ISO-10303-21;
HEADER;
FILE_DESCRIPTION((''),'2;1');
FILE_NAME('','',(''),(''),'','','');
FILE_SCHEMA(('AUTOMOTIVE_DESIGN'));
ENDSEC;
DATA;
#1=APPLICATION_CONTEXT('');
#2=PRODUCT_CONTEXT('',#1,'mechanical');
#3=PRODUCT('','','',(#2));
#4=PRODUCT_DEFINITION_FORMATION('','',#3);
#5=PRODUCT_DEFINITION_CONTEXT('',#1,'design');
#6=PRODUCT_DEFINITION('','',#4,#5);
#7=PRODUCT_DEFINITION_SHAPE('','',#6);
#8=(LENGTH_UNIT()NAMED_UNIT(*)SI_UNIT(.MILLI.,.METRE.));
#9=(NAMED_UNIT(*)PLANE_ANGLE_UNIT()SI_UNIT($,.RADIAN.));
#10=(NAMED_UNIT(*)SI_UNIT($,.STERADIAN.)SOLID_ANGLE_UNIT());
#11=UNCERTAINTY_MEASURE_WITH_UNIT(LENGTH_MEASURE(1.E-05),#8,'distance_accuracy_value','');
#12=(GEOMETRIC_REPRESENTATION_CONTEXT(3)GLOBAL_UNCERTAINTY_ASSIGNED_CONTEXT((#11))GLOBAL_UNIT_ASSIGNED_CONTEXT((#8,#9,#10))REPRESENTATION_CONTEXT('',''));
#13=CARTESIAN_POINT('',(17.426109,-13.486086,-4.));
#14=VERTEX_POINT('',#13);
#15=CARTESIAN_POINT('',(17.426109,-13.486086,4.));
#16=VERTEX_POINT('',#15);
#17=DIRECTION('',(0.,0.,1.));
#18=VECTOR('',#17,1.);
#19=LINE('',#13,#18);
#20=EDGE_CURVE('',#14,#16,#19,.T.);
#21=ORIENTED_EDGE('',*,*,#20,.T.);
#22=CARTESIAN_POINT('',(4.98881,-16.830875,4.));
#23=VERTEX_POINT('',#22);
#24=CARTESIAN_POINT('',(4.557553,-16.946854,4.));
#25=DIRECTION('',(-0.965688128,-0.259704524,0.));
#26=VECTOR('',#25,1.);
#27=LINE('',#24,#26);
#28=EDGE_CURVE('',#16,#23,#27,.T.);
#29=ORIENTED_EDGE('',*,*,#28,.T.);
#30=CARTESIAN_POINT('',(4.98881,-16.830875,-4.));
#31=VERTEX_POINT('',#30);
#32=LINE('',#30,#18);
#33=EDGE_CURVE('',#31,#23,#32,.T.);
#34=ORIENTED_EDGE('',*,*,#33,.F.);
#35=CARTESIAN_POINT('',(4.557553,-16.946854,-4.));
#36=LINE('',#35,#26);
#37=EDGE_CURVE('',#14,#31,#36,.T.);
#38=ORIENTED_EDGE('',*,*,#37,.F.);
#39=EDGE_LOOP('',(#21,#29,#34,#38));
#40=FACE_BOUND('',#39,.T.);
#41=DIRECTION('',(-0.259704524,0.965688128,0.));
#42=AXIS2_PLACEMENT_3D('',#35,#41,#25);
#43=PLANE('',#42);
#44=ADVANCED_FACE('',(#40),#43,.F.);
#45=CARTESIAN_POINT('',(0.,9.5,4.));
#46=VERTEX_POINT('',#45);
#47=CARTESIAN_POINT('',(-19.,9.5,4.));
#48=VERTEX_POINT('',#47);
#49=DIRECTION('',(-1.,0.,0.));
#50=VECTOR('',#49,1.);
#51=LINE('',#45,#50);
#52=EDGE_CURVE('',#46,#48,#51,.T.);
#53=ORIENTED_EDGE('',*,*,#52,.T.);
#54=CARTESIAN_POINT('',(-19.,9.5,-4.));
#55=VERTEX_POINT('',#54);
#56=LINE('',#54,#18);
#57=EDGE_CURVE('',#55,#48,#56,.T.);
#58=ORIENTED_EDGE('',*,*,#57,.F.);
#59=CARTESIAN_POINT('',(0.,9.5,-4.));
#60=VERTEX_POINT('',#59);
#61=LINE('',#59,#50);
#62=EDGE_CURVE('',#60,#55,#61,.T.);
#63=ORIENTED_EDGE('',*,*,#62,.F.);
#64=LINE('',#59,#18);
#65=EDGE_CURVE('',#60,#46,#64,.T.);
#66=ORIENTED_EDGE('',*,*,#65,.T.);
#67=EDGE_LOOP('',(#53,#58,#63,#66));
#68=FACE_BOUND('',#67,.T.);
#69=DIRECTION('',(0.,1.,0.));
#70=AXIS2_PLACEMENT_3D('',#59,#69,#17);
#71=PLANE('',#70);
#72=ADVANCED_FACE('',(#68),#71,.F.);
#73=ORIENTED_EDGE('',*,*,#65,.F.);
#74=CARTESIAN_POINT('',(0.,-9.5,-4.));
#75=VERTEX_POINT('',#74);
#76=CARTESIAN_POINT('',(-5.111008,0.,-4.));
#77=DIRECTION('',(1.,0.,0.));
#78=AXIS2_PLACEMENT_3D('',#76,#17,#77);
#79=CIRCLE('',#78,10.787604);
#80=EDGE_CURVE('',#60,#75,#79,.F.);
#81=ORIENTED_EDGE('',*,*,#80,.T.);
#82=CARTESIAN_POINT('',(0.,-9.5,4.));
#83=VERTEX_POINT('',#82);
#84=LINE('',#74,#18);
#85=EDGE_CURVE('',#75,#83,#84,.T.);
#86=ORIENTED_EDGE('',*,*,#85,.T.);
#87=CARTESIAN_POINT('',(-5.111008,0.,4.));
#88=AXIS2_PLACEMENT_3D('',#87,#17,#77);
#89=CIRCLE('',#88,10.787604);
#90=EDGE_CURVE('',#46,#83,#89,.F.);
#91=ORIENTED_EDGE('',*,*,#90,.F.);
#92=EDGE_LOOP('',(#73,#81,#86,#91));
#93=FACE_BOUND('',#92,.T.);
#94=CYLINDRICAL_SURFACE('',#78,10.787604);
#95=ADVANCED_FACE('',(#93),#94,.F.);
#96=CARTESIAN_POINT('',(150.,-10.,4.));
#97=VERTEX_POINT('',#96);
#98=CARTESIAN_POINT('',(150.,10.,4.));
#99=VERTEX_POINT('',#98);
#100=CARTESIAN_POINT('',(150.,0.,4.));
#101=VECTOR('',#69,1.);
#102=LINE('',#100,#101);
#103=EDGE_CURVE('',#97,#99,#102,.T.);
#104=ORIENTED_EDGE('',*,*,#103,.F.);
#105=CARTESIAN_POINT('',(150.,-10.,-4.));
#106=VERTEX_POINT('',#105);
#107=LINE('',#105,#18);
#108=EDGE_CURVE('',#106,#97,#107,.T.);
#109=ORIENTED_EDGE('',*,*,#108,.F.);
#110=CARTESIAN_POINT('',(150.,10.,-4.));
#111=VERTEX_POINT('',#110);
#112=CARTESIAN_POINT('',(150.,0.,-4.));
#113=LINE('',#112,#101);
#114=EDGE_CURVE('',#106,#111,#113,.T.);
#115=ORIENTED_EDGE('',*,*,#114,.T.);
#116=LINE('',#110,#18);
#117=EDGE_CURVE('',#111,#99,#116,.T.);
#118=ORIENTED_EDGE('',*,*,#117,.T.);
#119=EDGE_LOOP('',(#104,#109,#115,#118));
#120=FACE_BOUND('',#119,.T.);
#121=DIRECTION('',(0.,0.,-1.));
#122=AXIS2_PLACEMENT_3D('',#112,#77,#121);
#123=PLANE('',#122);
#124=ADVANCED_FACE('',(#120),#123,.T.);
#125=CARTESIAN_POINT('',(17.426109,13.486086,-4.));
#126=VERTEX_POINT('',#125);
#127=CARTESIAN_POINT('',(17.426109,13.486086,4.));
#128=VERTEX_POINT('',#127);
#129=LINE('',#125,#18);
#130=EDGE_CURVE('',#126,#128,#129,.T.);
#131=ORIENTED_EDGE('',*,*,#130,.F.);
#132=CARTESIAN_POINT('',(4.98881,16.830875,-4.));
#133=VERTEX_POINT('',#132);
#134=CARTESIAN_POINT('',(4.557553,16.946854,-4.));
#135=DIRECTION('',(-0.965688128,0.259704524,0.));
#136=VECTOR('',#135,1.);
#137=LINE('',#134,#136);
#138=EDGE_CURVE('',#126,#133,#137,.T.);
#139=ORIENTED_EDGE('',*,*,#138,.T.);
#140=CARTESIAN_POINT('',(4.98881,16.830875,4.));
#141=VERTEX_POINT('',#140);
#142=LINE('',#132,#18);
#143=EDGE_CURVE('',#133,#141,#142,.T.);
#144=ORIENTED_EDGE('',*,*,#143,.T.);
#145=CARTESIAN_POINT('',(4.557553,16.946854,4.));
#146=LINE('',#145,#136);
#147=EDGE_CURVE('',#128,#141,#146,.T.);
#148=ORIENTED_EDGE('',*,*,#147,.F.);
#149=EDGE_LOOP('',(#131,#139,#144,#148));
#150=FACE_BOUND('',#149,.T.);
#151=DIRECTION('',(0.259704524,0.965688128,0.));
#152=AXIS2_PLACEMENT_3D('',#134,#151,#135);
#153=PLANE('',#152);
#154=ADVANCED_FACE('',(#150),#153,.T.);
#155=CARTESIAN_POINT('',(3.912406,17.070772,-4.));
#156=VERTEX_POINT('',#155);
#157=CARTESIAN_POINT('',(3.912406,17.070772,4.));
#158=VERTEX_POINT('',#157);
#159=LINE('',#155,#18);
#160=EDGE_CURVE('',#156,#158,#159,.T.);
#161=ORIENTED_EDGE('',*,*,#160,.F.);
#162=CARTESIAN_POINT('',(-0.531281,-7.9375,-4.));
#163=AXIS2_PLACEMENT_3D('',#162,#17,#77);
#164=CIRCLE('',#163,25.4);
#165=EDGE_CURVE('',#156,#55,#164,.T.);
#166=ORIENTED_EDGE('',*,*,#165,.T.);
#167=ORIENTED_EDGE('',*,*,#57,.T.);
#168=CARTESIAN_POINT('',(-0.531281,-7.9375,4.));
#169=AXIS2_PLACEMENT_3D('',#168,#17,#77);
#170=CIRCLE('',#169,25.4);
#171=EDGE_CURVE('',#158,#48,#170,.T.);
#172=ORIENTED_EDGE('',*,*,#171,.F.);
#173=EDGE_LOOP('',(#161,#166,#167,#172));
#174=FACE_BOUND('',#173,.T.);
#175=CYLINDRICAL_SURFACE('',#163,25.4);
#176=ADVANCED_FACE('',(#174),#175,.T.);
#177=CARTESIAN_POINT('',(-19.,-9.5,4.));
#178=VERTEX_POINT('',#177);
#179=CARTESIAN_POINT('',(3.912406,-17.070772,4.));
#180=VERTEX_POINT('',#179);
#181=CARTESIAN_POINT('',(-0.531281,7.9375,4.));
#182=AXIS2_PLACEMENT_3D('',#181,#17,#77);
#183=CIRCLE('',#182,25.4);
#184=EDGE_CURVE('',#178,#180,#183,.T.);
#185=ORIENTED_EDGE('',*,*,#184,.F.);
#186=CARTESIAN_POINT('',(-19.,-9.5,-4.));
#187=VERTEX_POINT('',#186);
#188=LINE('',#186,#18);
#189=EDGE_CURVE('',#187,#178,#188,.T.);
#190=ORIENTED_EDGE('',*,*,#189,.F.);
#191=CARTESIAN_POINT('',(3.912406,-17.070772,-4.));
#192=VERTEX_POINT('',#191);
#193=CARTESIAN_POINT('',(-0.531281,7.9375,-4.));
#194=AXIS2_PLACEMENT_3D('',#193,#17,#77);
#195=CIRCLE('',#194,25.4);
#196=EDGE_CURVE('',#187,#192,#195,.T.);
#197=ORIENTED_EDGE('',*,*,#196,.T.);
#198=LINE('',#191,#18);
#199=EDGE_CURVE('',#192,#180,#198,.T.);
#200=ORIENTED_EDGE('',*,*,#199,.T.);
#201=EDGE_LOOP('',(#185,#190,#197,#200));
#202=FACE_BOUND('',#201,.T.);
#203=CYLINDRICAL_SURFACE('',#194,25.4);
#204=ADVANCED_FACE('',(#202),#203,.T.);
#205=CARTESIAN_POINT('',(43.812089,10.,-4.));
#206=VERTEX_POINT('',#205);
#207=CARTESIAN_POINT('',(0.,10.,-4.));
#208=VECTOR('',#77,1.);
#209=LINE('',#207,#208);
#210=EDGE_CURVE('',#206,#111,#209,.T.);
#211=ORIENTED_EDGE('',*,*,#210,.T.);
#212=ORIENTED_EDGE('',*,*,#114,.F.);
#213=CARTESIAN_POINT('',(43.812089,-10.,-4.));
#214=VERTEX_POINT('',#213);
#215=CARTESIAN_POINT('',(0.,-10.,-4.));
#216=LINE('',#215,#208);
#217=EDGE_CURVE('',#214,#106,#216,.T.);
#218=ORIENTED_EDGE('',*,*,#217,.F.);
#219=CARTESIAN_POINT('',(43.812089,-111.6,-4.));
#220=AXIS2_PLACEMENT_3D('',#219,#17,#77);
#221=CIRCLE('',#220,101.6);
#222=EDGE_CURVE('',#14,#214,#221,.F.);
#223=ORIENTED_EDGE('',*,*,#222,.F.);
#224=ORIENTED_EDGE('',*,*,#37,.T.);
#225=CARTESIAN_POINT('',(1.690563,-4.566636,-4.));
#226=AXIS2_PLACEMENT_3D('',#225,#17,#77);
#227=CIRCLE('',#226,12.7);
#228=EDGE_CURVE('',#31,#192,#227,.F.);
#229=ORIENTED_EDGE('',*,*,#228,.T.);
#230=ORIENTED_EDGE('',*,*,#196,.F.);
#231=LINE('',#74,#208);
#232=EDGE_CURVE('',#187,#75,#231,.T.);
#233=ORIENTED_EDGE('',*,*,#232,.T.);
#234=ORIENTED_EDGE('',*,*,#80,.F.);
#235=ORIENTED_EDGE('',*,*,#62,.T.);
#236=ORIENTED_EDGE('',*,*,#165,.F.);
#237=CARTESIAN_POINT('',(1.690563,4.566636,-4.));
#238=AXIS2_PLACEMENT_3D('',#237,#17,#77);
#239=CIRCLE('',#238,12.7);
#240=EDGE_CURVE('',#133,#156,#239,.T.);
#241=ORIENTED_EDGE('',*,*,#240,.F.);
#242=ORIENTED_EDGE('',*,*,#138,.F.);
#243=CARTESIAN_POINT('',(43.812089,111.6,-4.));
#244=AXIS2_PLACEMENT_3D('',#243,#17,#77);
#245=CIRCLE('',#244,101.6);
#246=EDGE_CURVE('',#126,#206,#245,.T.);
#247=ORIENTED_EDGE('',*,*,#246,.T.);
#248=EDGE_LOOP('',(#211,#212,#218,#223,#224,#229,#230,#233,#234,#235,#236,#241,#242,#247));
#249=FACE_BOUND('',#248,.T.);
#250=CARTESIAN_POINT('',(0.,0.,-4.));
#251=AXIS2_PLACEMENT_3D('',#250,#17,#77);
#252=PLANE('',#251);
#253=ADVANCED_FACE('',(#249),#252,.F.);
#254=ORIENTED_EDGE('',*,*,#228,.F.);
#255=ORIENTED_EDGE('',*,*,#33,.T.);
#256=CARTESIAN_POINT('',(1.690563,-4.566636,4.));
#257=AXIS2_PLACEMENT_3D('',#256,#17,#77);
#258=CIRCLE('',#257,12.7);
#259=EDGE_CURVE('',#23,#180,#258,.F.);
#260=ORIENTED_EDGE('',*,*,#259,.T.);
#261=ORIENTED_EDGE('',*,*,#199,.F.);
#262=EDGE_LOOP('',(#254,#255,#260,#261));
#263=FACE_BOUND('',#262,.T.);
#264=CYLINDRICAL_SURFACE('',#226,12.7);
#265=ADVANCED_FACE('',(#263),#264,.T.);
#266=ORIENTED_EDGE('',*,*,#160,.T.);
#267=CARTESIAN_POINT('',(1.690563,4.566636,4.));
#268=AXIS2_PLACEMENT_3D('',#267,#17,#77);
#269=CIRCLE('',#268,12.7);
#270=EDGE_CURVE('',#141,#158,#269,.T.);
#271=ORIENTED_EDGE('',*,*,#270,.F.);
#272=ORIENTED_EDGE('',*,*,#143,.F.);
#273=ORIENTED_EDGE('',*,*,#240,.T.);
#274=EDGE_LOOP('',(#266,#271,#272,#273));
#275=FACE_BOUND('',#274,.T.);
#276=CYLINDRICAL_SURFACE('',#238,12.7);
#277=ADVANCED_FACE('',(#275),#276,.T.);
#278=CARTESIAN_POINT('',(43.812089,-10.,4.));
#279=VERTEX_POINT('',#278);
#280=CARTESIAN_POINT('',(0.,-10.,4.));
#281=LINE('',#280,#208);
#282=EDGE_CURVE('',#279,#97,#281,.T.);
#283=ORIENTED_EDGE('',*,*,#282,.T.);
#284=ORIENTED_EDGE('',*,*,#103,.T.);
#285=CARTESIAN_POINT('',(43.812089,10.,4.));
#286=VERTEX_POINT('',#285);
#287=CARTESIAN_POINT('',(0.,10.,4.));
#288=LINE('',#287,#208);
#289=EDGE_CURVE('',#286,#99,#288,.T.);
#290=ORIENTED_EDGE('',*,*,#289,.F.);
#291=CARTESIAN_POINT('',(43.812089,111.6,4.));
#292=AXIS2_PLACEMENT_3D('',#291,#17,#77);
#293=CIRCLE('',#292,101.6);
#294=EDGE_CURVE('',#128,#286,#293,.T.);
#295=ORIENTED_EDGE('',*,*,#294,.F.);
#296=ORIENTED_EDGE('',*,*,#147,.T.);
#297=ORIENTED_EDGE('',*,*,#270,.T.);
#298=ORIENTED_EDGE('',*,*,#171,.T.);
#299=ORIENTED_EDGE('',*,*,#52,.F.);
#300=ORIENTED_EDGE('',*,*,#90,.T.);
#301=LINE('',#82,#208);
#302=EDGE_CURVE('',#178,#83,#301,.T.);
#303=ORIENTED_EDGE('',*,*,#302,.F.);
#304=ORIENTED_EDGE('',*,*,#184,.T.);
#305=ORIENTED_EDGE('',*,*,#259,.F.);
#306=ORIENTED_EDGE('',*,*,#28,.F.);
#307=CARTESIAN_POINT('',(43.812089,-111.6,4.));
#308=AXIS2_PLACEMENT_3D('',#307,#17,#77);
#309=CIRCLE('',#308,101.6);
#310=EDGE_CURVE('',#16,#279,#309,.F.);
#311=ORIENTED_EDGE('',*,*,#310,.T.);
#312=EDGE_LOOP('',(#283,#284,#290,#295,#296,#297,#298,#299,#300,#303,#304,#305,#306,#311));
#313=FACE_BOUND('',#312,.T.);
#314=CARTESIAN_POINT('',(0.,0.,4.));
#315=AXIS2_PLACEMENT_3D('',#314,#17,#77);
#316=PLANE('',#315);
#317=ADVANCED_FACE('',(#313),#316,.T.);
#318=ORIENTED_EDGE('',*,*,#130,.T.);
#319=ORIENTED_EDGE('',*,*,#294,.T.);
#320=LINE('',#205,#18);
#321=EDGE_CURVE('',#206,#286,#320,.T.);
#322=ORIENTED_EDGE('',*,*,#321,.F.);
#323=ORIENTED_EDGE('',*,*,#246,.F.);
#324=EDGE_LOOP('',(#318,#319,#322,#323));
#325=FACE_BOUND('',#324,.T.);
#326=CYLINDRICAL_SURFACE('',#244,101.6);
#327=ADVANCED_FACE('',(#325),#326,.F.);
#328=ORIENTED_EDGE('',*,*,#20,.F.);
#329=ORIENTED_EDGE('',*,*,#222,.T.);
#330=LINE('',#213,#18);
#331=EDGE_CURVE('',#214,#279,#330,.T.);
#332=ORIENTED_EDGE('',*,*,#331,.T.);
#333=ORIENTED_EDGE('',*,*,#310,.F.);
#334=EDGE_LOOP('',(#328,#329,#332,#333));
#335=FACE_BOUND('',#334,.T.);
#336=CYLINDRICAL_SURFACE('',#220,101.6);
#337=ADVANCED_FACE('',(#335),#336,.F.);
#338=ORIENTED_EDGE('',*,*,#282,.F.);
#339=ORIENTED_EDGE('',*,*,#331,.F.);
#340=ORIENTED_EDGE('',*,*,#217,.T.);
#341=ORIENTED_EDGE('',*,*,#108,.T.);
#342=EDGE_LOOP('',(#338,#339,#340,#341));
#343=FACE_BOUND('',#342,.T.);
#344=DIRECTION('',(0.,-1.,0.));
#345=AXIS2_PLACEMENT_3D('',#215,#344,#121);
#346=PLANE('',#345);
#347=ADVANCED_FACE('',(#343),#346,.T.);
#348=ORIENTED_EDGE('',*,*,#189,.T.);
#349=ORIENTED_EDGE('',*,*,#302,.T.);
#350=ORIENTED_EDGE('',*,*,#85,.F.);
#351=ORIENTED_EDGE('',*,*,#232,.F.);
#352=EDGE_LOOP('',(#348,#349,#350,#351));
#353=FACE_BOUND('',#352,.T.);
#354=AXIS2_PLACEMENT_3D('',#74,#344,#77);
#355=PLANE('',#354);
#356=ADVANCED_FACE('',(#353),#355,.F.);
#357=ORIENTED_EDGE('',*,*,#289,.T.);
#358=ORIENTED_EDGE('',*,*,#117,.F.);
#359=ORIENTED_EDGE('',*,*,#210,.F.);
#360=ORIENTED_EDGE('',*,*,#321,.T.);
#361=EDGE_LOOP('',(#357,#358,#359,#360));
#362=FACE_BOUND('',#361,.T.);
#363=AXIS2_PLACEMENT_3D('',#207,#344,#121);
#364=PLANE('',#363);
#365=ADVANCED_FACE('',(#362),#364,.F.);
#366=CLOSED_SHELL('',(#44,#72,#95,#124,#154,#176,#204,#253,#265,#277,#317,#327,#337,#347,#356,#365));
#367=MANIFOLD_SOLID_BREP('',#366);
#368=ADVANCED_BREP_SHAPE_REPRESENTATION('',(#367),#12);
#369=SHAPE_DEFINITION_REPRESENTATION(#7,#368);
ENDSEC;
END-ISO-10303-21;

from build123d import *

# Parameters (mm, degrees)
BOSS_EXTRUDE1_DEPTH = 4
BOSS_EXTRUDE2_DEPTH = 4


with BuildPart() as part:
    # Sketch1 → Boss-Extrude1 (new, symmetric)
    with BuildSketch(Plane(origin=(0, 0, 0), x_dir=(1, 0, 0), z_dir=(0, 0, -1))):
        with BuildLine():
            Line((-19, 9.5), (0, 9.5))
            ThreePointArc((0, 9.5), (5.676596321, 0), (0, -9.5))
            Line((0, -9.5), (-19, -9.5))
            ThreePointArc((-19, -9.5), (-8.500253603, -16.1800345), (3.912406176, -17.070771576))
            ThreePointArc((3.912406176, -17.070771576), (9.768875106, -14.366169937), (13.541125507, -9.133271576))
            ThreePointArc((13.541125507, -9.133271576), (15.24, 0), (13.541125507, 9.133271576))
            ThreePointArc((13.541125507, 9.133271576), (9.768875106, 14.366169937), (3.912406176, 17.070771576))
            ThreePointArc((3.912406176, 17.070771576), (-8.500253603, 16.1800345), (-19, 9.5))
        make_face()
    extrude(amount=BOSS_EXTRUDE1_DEPTH, both=True)

    # Sketch2 → Boss-Extrude2 (add, symmetric)
    with BuildSketch(Plane(origin=(0, 0, 0), x_dir=(1, 0, 0), z_dir=(0, 0, -1))):
        with BuildLine():
            Line((128.204707639, 10), (43.812088921, 10))
            ThreePointArc((43.812088921, 10), (30.504452796, 10.875291905), (17.426109311, 13.486086206))
            Line((17.426109311, 13.486086206), (4.988810205, 16.830875012))
            ThreePointArc((4.988810205, 16.830875012), (10.186731733, 14.006186237), (13.541125507, 9.133271576))
            ThreePointArc((13.541125507, 9.133271576), (15.24, 0), (13.541125507, -9.133271576))
            ThreePointArc((13.541125507, -9.133271576), (10.186731733, -14.006186237), (4.988810205, -16.830875012))
            Line((4.988810205, -16.830875012), (17.426109311, -13.486086206))
            ThreePointArc((17.426109311, -13.486086206), (30.504452796, -10.875291905), (43.812088921, -10))
            Line((43.812088921, -10), (128.204707639, -10))
            Line((128.204707639, -10), (150, -10))
            Line((150, -10), (150, 10))
            Line((150, 10), (128.204707639, 10))
        make_face()
    extrude(amount=BOSS_EXTRUDE2_DEPTH, both=True)


solid = part.part
